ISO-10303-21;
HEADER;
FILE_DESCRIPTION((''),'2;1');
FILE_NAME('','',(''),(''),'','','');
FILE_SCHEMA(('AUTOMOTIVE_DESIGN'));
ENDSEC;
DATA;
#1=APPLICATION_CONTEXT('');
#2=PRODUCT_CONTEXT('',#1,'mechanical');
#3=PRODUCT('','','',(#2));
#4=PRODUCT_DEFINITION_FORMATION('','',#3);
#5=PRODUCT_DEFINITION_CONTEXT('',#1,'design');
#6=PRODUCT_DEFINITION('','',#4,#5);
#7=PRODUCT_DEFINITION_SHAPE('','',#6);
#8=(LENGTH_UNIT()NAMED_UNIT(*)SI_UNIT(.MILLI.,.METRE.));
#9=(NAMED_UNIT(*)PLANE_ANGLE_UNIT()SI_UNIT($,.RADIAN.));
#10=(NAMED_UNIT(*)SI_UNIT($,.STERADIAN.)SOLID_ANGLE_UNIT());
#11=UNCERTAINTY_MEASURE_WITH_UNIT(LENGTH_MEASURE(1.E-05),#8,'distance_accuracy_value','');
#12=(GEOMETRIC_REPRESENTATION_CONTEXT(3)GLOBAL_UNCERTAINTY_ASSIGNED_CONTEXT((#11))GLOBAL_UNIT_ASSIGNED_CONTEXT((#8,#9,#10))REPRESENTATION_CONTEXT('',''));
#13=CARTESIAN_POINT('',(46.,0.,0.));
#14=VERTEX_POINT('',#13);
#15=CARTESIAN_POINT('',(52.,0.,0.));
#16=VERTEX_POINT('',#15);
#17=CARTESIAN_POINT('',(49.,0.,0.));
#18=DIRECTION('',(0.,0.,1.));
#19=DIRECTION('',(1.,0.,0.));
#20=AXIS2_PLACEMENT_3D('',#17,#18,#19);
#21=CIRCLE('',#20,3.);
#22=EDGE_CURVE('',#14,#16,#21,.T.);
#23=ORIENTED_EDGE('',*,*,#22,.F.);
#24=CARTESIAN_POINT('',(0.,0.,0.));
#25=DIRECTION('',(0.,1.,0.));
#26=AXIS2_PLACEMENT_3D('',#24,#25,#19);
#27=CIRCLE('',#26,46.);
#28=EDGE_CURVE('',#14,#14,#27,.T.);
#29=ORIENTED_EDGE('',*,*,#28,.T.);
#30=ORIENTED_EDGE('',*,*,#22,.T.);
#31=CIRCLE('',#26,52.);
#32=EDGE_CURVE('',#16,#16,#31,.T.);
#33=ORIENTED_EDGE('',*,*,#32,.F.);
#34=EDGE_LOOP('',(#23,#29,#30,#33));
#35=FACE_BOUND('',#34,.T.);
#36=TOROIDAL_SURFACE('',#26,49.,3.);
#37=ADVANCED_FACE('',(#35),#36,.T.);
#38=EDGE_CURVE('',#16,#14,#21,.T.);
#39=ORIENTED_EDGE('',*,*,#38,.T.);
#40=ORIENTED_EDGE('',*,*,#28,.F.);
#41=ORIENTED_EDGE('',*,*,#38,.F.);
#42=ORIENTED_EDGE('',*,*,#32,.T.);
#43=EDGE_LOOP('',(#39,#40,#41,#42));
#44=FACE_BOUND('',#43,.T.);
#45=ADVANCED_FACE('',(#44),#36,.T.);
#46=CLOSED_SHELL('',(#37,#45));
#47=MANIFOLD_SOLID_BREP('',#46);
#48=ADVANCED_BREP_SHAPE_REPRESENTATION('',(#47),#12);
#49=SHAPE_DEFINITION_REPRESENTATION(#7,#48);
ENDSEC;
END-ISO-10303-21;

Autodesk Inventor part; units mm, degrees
ref_plane "YZ Plane" through (0, 0, 0) normal (1, 0, 0) x (0, 1, 0)
ref_plane "XZ Plane" through (0, 0, 0) normal (0, 1, 0) x (-1, 0, 0)
ref_plane "XY Plane" through (0, 0, 0) normal (0, 0, 1) x (1, 0, 0)
sketch "Эскиз1" plane through (0, 0, 0) normal (0, 0, 1) x (1, 0, 0)
  line L0 (0, 0) -> (49, 0)
  circle A0 centre (49, 0) radius 3
  line L1 (0, 0) -> (0, 5.5778)
  dimension "d0" = 49
  dimension "d1" = 6
revolve "Вращение1" add sketch "Эскиз1" angle 360 about axis through (0, 0, 0) along (0, 1, 0)
properties part number "Уплотнительное кольцо" material "Алюминий 6061"
